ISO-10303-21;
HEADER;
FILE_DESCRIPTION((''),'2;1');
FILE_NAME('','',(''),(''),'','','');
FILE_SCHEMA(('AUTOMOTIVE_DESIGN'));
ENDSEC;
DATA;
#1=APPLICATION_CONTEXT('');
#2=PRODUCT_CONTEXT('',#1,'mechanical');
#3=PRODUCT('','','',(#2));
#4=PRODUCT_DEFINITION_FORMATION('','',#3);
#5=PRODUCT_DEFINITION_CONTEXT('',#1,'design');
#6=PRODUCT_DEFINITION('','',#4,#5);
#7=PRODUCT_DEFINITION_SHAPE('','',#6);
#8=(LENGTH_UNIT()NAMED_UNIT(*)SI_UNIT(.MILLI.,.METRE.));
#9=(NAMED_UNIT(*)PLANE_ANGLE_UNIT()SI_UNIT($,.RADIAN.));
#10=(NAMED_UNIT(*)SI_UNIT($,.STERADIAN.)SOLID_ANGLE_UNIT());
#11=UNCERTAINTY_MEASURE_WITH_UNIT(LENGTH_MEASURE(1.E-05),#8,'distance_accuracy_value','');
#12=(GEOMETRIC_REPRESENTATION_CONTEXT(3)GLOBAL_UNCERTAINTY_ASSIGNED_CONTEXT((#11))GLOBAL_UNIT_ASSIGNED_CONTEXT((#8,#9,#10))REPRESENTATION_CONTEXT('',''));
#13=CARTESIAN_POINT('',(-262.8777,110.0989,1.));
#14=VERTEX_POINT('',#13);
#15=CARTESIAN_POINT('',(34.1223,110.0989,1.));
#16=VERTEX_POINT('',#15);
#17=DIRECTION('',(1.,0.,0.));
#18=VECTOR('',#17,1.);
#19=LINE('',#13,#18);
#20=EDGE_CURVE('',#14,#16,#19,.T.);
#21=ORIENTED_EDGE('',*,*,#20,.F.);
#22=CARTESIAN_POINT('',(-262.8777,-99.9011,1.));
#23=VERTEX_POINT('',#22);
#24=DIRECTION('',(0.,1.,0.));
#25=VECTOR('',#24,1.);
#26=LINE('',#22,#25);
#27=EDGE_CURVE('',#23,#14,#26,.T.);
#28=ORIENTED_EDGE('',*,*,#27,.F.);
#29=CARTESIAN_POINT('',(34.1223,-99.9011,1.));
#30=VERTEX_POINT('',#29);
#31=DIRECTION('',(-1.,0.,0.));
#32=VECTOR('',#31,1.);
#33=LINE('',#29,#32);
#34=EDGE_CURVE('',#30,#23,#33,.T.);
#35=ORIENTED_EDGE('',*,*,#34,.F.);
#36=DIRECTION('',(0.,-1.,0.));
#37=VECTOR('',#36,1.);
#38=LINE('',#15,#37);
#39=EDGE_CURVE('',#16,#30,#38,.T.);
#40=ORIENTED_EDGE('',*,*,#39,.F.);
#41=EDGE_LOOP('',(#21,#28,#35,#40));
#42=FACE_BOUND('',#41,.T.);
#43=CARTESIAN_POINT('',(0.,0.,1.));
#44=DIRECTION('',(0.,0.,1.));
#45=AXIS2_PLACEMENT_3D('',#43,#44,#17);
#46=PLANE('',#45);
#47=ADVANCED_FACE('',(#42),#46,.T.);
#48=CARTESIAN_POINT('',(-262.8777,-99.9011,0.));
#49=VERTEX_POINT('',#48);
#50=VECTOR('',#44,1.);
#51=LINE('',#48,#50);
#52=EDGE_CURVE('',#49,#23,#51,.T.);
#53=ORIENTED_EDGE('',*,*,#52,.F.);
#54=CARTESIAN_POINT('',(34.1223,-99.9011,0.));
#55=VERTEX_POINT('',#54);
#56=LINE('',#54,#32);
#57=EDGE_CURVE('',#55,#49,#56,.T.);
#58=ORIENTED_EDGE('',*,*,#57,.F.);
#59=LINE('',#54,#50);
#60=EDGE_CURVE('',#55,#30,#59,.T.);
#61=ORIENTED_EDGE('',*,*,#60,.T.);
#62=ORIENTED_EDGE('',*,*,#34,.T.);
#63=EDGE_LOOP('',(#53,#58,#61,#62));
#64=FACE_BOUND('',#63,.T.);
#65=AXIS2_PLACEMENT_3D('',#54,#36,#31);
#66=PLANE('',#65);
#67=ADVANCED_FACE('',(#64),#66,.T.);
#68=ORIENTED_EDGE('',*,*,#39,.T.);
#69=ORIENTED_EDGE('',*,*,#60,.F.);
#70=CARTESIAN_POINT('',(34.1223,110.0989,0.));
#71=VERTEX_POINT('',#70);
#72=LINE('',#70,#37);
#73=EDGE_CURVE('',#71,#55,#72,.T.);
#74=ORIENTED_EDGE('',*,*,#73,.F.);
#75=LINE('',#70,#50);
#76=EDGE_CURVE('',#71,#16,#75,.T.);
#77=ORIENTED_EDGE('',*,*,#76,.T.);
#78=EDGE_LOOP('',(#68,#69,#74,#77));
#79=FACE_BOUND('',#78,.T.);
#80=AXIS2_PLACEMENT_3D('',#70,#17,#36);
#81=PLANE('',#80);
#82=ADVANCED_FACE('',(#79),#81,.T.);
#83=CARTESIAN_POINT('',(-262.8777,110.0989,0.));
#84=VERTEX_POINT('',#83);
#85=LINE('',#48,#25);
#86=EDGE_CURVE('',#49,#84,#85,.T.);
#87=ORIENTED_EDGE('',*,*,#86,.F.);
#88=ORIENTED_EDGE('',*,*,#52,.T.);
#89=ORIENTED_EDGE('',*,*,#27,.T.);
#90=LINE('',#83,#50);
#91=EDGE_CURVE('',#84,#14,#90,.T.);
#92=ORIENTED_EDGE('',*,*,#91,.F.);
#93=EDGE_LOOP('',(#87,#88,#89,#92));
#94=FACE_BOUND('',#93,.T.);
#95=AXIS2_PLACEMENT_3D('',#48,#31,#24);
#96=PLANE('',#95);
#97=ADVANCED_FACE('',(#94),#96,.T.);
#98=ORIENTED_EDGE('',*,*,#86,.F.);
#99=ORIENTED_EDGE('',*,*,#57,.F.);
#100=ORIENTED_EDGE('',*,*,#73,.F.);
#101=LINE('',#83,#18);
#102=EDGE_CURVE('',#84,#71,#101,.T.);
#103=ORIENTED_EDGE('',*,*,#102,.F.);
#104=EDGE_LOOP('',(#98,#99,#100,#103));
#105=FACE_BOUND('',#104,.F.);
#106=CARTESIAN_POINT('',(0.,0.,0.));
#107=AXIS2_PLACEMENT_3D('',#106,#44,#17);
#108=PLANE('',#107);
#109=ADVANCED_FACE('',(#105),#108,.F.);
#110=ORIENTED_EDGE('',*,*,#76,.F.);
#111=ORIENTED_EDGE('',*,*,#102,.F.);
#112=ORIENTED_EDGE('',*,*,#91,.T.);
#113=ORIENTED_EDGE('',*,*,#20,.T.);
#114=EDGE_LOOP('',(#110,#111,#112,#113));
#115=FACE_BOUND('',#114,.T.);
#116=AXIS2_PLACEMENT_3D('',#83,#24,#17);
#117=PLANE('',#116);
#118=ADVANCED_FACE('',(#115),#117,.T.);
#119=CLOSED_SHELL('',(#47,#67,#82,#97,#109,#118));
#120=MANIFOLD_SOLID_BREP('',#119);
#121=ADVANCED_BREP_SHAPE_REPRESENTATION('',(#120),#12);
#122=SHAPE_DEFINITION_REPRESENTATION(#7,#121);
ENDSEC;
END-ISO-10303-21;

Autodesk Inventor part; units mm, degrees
ref_plane "YZ Plane" through (0, 0, 0) normal (1, 0, 0) x (0, 1, 0)
ref_plane "XZ Plane" through (0, 0, 0) normal (0, 1, 0) x (-1, 0, 0)
ref_plane "XY Plane" through (0, 0, 0) normal (0, 0, 1) x (1, 0, 0)
sketch "Sketch1" plane through (0, 0, 0) normal (0, 0, 1) x (1, 0, 0)
  line L0 (-262.8777, 110.0989) -> (34.1223, 110.0989)
  line L1 (34.1223, 110.0989) -> (34.1223, -99.9011)
  line L2 (34.1223, -99.9011) -> (-262.8777, -99.9011)
  line L3 (-262.8777, -99.9011) -> (-262.8777, 110.0989)
  point P0 (0, 0)
  dimension "d0" = 210
  dimension "d1" = 297
extrude "Extrusion1" add sketch "Sketch1" along normal blind 1
properties part number "A4 ref plane"
